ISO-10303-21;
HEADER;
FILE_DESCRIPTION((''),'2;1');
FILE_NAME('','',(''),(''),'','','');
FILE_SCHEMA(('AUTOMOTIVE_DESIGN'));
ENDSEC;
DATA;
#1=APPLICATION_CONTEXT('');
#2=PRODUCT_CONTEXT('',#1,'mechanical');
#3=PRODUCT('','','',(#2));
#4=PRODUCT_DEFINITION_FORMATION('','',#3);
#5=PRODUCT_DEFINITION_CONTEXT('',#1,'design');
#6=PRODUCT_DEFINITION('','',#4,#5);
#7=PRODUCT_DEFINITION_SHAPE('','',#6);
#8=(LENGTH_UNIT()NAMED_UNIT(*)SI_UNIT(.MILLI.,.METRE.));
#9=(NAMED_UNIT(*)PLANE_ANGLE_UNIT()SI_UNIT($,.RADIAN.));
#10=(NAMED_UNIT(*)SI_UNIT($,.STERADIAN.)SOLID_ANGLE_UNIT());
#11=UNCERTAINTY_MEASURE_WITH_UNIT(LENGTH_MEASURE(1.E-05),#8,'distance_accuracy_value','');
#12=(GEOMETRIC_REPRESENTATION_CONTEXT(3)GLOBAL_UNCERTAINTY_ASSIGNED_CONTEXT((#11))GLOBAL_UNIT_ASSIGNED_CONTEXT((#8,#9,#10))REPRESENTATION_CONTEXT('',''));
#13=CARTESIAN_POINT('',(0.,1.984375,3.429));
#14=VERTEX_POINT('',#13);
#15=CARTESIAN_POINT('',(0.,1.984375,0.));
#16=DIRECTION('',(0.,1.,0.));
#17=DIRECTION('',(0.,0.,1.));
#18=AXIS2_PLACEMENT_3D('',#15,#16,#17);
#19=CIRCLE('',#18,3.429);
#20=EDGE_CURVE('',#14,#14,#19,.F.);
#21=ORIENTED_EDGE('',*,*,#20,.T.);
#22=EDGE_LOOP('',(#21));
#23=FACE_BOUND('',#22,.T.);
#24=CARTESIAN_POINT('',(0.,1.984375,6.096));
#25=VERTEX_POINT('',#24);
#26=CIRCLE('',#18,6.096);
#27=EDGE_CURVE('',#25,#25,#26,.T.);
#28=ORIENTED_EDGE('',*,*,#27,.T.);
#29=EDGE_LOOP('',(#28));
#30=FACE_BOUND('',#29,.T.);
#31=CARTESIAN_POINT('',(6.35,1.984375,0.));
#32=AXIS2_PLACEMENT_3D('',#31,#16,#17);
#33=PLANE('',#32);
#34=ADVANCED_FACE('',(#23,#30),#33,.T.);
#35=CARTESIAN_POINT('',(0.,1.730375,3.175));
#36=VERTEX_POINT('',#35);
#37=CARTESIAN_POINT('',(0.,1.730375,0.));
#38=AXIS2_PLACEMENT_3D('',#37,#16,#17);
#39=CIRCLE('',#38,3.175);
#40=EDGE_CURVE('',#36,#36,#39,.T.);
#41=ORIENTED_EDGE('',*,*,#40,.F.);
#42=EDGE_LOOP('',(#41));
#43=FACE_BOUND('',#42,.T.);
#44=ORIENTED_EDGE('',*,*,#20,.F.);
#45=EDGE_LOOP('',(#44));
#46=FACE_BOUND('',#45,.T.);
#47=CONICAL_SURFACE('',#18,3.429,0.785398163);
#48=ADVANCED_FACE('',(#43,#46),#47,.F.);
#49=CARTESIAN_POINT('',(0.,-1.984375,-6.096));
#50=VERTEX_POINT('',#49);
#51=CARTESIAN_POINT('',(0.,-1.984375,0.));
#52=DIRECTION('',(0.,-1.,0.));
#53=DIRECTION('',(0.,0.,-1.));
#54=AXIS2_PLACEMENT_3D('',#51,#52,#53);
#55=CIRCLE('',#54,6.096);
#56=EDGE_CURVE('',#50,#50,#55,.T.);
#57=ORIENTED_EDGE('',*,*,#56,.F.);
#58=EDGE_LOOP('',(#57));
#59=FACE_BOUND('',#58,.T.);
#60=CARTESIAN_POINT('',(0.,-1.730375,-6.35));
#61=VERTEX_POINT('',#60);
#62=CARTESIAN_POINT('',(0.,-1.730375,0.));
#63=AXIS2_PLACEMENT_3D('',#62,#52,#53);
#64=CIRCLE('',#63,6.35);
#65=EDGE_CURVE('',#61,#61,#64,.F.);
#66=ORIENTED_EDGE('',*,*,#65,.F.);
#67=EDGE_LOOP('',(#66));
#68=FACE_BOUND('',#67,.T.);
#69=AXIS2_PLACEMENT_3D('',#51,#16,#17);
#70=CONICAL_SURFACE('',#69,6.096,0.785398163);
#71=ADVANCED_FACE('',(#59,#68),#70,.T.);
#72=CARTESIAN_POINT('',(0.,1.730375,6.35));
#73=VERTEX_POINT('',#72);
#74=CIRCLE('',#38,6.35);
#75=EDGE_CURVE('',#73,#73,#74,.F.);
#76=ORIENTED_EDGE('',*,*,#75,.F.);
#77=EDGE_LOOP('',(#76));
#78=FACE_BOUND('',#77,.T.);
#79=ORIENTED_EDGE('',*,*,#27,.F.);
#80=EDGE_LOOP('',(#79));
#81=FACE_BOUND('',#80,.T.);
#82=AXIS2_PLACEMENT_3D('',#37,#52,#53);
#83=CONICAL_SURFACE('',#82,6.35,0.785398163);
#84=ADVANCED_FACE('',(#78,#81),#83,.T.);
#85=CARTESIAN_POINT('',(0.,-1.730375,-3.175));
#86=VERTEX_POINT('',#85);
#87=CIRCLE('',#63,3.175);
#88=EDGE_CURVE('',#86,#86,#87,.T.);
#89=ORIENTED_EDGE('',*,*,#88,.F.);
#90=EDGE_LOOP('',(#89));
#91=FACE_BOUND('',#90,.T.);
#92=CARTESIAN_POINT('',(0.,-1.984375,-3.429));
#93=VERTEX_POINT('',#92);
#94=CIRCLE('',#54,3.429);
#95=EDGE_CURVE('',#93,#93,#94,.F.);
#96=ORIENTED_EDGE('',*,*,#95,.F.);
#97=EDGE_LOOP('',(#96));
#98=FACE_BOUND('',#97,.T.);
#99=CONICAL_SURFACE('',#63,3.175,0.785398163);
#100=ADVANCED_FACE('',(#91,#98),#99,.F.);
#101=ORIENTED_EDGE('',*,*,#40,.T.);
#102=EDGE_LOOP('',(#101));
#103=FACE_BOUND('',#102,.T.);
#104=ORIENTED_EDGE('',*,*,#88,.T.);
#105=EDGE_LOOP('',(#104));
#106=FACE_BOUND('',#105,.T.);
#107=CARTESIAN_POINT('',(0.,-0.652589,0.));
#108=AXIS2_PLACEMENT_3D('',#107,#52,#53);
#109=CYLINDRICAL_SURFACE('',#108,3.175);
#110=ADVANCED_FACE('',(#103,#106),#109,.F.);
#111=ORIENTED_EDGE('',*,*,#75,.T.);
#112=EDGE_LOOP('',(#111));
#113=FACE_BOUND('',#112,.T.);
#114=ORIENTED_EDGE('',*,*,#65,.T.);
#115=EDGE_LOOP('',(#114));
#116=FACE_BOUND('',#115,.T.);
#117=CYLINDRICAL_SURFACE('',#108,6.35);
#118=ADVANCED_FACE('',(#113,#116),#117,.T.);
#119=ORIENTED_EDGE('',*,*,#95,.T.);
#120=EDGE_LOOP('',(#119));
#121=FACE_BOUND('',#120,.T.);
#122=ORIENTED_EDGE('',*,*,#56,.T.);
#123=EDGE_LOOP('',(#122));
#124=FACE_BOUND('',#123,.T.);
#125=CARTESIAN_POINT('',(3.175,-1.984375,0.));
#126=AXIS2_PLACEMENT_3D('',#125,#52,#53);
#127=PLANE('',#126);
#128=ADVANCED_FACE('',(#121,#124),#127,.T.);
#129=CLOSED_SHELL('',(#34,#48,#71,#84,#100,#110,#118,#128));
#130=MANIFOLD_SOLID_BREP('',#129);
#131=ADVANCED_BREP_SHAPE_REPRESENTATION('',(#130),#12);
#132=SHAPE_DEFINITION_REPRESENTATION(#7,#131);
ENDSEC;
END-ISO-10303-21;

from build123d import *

# Parameters (mm, degrees)
SKETCH1_W     = 3.175
SKETCH1_H     = 3.96875
CHAMFER1_SIZE = 0.254


with BuildPart() as part:
    # Sketch1 → Revolve1 (revolve)
    with BuildSketch(Plane.XY):
        with Locations((4.7625, 0)):
            Rectangle(SKETCH1_W, SKETCH1_H)
    revolve(axis=Axis((0, -0.65258894, 0), (0, 1, 0)))

    # Chamfer1
    chamfer1_edges = [part.edges().sort_by_distance(p)[0] for p in [
        (-6.35, 1.984375, 0),
        (-6.35, -1.984375, 0),
        (-3.175, -1.984375, 0),
        (-3.175, 1.984375, 0),
    ]]
    chamfer(chamfer1_edges, length=CHAMFER1_SIZE)


solid = part.part
